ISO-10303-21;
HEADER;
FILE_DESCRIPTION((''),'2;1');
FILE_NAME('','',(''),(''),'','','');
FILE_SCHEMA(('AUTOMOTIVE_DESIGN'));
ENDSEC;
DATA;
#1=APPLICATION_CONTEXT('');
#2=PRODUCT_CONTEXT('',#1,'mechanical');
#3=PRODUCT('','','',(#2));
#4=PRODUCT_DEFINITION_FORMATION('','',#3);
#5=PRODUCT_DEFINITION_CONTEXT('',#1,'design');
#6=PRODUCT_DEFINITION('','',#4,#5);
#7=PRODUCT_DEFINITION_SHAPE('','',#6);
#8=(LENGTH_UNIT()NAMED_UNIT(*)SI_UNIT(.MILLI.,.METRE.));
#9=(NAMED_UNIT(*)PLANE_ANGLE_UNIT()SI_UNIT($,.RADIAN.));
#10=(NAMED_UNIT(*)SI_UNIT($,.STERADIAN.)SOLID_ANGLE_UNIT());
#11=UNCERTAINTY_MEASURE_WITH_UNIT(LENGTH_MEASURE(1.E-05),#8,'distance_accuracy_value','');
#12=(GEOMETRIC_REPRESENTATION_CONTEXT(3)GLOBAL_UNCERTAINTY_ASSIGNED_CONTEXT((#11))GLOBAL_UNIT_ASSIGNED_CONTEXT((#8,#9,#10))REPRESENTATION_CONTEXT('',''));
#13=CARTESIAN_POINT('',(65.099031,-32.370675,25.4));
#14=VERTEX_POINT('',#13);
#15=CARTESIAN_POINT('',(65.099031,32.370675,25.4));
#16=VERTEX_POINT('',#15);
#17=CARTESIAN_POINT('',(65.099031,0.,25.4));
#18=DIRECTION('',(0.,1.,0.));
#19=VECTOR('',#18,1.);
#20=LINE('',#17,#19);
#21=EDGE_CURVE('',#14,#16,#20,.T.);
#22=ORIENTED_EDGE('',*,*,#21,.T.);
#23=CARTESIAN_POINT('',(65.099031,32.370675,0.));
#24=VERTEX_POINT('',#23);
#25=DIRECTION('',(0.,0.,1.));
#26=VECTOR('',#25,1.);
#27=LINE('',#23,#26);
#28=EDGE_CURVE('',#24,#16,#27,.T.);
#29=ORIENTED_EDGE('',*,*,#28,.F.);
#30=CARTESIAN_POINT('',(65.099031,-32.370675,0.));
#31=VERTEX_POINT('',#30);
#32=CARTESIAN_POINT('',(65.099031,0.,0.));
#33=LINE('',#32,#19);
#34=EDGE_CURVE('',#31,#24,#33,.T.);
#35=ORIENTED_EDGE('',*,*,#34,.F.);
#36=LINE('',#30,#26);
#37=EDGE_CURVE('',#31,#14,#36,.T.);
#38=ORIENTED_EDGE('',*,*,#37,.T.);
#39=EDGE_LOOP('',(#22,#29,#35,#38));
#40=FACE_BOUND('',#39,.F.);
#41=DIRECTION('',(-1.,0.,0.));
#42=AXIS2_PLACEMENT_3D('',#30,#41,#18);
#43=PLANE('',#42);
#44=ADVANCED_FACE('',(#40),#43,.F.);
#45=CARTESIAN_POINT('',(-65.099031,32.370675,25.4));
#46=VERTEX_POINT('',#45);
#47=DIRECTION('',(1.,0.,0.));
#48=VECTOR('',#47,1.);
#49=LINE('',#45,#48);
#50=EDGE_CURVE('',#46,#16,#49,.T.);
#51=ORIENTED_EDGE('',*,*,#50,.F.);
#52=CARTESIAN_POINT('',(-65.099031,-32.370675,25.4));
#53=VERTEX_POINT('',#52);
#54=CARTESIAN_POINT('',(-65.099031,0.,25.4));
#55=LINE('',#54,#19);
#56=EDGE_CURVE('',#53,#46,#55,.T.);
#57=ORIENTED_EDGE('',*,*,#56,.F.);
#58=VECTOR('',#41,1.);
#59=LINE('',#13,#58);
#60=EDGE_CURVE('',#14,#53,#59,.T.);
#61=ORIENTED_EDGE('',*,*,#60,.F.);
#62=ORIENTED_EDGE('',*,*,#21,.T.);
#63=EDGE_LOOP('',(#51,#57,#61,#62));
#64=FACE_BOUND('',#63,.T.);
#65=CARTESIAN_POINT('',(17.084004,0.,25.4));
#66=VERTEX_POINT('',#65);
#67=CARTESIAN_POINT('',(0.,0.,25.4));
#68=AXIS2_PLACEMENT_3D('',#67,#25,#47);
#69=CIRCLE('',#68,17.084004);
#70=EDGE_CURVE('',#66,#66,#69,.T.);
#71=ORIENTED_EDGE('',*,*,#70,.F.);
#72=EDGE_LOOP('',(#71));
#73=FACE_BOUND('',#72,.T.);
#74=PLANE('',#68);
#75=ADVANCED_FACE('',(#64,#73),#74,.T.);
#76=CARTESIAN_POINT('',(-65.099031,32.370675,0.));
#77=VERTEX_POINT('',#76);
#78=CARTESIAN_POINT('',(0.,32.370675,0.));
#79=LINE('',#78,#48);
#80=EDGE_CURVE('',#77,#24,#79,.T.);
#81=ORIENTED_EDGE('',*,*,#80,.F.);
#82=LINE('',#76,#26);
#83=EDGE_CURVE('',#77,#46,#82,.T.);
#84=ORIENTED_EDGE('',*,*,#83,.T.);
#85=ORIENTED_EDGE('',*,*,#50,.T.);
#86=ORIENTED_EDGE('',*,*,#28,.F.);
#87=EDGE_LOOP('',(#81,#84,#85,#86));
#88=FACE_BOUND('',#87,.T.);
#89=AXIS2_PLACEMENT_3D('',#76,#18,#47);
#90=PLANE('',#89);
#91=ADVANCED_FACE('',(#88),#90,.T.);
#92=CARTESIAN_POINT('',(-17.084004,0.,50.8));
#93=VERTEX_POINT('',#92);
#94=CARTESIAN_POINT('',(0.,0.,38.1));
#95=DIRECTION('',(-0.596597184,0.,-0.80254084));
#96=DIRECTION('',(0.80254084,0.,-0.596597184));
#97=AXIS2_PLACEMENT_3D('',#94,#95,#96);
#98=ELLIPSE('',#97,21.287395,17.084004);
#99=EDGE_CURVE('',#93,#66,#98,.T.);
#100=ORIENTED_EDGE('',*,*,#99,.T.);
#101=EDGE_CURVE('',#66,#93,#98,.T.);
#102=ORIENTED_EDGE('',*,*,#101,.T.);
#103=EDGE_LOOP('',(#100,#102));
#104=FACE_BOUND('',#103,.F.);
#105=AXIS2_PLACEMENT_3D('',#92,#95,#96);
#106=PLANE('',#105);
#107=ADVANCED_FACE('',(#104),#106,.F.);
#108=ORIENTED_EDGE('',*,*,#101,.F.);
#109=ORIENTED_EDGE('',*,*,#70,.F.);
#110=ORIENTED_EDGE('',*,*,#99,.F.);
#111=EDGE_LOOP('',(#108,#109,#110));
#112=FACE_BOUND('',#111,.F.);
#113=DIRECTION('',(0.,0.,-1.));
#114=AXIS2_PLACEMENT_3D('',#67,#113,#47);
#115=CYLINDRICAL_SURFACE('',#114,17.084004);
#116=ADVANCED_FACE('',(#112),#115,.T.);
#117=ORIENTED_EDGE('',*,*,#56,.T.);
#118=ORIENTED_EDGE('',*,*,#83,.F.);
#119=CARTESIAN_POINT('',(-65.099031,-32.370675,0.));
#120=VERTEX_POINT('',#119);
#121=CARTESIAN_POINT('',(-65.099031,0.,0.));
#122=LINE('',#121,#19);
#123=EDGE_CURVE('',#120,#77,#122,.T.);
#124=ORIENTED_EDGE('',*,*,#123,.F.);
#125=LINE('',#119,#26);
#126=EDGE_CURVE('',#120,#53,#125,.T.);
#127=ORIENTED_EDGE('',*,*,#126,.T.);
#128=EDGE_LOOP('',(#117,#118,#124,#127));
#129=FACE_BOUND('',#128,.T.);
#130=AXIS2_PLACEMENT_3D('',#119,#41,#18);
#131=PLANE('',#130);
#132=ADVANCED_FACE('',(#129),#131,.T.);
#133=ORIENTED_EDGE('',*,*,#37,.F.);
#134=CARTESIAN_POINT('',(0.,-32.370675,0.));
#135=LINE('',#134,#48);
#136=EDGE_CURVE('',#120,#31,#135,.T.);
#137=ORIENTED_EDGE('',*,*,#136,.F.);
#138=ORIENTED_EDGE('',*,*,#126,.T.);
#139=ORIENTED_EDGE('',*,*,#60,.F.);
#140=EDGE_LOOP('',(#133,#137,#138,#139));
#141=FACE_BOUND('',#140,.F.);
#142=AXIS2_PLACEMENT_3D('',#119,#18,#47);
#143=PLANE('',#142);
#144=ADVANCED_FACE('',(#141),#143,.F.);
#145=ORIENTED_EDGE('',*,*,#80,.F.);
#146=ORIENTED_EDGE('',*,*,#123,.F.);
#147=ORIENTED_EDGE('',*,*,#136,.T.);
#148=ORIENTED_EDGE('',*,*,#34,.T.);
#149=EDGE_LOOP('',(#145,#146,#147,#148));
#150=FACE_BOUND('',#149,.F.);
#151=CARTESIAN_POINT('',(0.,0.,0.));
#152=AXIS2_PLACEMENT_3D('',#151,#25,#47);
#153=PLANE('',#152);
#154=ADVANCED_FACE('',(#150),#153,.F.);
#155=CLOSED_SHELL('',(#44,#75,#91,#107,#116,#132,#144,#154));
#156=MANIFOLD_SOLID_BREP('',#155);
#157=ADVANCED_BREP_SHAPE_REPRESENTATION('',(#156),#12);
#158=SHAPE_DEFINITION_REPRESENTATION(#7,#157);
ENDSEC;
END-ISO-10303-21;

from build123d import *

# Parameters (mm, degrees)
F0_W     = 130.198062
F0_H     = 64.74135
F1_DEPTH = 25.4
F3_R     = 17.084004
F4_DEPTH = 25.4
F6_DEPTH = 56.896


with BuildPart() as f1:
    # F0 (on Top) → F1 (new body)
    with BuildSketch(Plane.XY):
        Rectangle(F0_W, F0_H)
    extrude(amount=F1_DEPTH)

    # F3 (on face) → F4 (join)
    with BuildSketch(Plane.XY.offset(25.4)):
        Circle(F3_R)
    extrude(amount=F4_DEPTH)

    # F5 (on Front) → F6 (cut, symmetric)
    with BuildSketch(Plane.XZ):
        Polygon((17.084004, 50.8), (-17.084004, 50.8), (17.084004, 25.4), align=None)
    extrude(amount=F6_DEPTH, both=True, mode=Mode.SUBTRACT)


solid = f1.part
